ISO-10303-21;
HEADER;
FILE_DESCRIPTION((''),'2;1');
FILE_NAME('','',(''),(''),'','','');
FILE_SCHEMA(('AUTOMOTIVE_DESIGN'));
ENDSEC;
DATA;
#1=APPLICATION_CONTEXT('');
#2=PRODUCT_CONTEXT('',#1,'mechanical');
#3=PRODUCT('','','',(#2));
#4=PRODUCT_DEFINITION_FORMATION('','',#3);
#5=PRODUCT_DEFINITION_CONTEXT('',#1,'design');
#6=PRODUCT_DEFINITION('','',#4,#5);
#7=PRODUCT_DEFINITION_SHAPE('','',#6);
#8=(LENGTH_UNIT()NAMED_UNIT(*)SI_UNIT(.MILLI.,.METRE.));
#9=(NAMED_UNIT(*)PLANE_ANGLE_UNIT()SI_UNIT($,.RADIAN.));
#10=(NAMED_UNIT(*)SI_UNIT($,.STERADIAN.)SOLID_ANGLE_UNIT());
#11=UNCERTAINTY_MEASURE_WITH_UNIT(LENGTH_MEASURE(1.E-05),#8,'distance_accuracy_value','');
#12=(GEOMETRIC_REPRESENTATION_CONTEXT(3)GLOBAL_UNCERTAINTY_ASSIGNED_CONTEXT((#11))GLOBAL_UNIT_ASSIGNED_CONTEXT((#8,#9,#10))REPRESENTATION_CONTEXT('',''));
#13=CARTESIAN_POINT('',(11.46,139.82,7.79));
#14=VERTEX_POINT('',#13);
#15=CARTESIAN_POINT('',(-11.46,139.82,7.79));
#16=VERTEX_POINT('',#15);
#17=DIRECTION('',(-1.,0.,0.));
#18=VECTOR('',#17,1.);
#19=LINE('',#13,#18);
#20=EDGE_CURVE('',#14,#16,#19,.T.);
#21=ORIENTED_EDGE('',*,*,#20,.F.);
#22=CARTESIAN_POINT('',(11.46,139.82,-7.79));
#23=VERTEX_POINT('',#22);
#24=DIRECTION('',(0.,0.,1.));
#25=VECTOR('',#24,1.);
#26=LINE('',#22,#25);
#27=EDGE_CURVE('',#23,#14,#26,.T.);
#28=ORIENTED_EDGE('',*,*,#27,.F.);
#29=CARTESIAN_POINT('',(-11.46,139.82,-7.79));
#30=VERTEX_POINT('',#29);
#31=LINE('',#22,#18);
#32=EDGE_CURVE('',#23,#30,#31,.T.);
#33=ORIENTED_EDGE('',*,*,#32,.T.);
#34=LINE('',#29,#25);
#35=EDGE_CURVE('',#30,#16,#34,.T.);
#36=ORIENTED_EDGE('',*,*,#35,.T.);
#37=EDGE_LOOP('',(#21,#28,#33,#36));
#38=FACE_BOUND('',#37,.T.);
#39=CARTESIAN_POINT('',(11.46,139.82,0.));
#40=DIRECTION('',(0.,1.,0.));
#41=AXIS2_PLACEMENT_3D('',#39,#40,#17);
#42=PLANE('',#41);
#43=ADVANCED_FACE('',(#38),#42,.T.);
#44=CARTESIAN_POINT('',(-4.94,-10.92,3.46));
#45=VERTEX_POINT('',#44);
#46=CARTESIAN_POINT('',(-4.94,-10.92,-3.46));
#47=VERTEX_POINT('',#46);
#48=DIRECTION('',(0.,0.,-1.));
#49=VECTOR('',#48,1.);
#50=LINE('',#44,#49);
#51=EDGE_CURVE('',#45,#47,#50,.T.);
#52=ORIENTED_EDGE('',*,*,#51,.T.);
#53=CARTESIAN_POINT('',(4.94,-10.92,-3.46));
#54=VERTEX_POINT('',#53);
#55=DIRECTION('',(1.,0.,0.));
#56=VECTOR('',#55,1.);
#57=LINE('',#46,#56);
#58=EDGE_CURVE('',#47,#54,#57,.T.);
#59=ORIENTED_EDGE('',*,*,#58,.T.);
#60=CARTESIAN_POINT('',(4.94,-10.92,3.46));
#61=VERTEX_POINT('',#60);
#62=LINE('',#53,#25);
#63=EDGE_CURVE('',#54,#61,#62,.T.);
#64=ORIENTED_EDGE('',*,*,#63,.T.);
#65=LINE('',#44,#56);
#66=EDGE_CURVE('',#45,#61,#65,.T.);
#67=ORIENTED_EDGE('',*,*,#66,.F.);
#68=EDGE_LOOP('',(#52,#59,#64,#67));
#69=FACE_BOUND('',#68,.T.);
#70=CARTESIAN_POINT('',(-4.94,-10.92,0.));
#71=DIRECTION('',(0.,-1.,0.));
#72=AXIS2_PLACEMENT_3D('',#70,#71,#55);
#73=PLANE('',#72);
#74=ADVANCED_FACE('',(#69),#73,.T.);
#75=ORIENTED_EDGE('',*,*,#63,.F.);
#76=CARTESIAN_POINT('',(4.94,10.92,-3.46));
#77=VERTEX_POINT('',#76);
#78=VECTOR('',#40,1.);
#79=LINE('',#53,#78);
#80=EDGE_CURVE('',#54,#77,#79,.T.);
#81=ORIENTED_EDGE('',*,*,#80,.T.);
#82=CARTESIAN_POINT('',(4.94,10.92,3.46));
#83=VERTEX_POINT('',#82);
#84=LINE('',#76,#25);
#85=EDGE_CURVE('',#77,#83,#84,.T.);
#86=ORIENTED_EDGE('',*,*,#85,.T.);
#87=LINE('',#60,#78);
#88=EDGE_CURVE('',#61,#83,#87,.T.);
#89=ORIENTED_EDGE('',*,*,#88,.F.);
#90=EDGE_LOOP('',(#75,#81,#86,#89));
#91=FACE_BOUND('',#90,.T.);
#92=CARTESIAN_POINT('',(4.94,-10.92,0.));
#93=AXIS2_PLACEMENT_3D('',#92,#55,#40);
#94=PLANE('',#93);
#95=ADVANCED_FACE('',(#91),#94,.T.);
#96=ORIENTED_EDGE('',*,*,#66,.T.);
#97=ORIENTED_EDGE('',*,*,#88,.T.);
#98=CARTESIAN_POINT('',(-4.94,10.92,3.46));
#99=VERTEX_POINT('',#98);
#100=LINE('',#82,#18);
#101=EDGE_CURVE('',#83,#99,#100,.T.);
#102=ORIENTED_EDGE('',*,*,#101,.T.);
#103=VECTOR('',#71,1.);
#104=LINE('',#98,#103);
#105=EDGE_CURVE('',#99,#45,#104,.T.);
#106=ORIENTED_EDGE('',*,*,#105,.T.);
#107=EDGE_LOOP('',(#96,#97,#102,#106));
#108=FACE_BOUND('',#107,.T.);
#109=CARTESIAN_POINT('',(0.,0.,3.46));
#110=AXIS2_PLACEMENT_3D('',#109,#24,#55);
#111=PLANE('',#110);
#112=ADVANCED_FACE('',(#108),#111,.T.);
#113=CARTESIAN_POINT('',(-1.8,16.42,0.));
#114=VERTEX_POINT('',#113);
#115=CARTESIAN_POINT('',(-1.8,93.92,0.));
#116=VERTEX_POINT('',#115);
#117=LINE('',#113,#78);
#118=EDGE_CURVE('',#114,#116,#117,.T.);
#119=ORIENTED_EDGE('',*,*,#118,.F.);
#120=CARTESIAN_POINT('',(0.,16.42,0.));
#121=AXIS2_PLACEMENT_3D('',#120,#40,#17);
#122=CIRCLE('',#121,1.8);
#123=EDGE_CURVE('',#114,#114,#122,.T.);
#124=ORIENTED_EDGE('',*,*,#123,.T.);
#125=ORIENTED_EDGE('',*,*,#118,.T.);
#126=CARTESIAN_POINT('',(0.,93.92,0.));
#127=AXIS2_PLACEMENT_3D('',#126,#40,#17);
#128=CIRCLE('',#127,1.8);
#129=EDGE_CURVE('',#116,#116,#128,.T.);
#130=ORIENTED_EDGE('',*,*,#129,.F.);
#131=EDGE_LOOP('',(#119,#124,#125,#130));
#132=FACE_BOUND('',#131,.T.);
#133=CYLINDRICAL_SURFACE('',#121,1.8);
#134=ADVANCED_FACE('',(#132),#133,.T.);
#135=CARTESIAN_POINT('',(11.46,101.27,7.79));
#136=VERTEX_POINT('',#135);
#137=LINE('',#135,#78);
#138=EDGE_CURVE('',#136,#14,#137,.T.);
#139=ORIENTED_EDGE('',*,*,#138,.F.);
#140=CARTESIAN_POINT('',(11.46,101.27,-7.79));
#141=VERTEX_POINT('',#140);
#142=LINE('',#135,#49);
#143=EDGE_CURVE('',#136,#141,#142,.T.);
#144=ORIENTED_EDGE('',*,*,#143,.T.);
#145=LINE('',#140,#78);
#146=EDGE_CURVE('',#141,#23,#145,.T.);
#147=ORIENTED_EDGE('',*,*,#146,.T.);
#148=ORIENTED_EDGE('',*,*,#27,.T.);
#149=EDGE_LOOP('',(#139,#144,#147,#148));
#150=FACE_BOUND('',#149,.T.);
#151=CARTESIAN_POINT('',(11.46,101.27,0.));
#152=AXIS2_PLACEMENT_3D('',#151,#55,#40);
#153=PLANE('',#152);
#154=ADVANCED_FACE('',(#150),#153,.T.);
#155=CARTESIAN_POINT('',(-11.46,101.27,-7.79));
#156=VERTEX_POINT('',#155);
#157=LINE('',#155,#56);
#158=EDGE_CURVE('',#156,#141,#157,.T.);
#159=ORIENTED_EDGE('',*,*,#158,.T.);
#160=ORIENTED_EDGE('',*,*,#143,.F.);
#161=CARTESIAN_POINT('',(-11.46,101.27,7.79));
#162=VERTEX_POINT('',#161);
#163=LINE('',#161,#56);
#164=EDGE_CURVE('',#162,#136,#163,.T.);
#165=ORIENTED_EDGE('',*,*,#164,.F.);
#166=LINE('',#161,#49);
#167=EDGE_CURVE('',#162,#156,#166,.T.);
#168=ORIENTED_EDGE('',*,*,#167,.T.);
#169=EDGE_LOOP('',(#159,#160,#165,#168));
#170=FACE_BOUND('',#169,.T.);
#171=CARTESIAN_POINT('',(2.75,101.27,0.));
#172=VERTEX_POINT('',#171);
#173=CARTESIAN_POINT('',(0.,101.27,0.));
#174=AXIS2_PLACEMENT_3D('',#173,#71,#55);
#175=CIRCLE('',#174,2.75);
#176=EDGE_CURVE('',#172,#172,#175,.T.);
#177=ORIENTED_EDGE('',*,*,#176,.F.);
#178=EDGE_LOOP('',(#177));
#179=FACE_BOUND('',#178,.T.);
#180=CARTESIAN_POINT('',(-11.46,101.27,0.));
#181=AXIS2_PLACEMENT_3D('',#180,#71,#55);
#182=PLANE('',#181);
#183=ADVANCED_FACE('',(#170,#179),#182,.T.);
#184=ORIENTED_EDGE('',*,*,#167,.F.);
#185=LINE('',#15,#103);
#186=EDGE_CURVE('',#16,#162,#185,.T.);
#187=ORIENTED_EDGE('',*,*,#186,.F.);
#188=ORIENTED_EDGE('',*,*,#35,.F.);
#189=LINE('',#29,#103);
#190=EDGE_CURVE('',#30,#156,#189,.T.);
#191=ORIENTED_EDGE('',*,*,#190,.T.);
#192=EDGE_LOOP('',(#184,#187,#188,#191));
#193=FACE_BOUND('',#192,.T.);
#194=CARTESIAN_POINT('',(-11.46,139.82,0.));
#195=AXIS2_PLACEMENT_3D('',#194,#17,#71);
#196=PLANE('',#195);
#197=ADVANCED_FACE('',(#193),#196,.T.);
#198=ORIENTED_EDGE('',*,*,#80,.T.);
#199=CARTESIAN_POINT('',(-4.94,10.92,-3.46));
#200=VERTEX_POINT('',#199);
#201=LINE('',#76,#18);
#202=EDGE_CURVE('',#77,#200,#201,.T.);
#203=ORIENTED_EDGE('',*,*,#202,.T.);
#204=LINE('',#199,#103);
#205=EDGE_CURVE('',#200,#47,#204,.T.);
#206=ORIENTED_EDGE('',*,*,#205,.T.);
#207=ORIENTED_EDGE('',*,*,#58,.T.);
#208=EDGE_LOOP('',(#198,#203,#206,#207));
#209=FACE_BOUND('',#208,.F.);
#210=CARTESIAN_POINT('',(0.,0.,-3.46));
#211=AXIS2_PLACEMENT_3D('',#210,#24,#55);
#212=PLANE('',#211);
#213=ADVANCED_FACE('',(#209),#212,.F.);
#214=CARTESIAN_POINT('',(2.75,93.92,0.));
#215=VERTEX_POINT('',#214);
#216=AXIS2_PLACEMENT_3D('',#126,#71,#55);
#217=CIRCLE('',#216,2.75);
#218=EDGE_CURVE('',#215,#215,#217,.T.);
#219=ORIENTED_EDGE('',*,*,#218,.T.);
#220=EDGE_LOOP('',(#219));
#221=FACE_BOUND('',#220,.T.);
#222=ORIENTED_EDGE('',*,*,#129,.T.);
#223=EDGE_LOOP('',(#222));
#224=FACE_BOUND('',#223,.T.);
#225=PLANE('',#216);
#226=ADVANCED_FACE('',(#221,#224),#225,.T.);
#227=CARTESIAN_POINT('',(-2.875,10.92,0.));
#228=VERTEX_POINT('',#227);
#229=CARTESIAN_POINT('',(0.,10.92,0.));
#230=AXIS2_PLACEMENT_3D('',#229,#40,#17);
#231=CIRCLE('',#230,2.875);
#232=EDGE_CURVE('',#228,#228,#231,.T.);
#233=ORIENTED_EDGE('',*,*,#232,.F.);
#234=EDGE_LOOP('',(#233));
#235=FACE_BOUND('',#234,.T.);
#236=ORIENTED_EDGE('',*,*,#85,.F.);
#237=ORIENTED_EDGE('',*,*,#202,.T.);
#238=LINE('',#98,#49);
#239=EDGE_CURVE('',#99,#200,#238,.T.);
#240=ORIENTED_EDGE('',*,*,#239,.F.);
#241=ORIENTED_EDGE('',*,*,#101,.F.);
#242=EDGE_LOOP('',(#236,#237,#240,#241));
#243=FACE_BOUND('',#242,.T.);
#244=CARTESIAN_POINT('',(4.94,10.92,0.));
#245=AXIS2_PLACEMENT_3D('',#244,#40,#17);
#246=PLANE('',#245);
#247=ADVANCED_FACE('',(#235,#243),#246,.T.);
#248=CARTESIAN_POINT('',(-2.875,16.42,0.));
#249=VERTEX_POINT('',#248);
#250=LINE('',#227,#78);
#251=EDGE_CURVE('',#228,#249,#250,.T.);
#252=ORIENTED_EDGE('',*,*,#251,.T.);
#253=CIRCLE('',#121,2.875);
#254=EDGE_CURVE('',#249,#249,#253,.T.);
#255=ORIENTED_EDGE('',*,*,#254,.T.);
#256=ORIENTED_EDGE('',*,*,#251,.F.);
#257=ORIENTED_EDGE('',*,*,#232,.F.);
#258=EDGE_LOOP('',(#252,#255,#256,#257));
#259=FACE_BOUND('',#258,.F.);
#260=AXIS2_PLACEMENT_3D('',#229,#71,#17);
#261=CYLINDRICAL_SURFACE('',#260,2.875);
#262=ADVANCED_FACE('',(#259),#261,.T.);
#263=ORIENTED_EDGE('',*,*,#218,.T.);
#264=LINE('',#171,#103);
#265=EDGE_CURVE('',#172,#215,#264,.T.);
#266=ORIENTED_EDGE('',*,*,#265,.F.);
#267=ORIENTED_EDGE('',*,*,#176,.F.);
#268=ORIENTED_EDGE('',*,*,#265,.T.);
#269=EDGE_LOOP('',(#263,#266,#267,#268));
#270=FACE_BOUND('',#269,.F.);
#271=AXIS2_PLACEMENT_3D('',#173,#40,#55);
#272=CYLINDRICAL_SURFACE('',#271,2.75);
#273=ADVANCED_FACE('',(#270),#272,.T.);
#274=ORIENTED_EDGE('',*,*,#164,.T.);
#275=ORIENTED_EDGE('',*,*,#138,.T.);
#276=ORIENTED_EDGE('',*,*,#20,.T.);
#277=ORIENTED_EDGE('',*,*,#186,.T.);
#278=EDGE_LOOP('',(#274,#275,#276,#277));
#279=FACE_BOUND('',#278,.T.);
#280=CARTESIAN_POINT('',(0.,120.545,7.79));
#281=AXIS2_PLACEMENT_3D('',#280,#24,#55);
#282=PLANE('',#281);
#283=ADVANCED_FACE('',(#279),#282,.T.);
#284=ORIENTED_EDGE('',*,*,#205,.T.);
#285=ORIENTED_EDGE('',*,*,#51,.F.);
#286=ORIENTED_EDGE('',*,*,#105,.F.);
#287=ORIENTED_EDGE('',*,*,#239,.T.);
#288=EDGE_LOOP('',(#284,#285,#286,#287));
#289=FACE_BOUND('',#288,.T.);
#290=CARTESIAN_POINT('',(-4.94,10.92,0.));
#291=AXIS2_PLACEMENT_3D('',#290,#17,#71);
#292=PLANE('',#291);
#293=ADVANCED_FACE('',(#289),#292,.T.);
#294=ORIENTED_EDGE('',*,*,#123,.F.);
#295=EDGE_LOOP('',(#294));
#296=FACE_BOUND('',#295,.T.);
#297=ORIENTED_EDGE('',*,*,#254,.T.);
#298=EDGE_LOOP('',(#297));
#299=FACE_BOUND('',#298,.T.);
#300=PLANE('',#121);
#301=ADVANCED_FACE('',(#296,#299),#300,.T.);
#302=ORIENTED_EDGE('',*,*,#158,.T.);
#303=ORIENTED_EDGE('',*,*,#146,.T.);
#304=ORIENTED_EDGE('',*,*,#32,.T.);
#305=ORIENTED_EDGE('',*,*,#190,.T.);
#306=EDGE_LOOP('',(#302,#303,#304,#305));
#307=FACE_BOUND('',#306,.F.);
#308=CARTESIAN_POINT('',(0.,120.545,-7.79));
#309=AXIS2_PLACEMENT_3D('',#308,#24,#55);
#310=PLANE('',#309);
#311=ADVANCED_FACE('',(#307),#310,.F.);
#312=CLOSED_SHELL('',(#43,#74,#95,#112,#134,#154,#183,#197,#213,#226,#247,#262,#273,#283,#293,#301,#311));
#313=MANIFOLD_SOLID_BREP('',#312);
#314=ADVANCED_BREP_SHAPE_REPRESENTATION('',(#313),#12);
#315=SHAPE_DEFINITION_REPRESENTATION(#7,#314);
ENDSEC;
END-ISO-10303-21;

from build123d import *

# Parameters (mm, degrees)
F1_DEPTH = 7.79
F2_DEPTH = 3.46
F3_R     = 2.875
F4_DEPTH = 5.5
F5_R     = 1.8
F7_R     = 2.75
F8_DEPTH = 7.35


with BuildPart() as f1:
    # F0 (on Top) → F1 (new body, symmetric)
    with BuildSketch(Plane.XY):
        Polygon((-2.75, 101.27), (2.75, 101.27), (11.46, 101.27), (11.46, 139.82), (-11.46, 139.82), (-11.46, 101.27), align=None)
    extrude(amount=F1_DEPTH, both=True)



with BuildPart() as f2:
    # F0 (on Top) → F2 (new body, symmetric)
    with BuildSketch(Plane.XY):
        Polygon((-4.94, -10.92), (4.94, -10.92), (4.94, 10.92), (2.875, 10.92), (-2.875, 10.92), (-4.94, 10.92), align=None)
    extrude(amount=F2_DEPTH, both=True)

    # F3 (on face) → F4 (join, through all)
    with BuildSketch(Plane(origin=(0, 10.92, 0), x_dir=(-1, 0, 0), z_dir=(0, 1, 0))):
        Circle(F3_R)
    extrude(amount=F4_DEPTH)

    # F6: sweep along a path in F0
    with BuildLine(Plane.XY) as f6_path:
        Line((1.8, 16.42), (1.8, 93.92))
    # F5 (on face) → F6 (sweep)
    with BuildSketch(Plane(origin=(0, 16.42, 0), x_dir=(-1, 0, 0), z_dir=(0, 1, 0))):
        Circle(F5_R)
    sweep(path=f6_path.line)


with BuildPart() as f1_1:
    add(f1.part)

    add(f2.part)  # F8 merges F2
    # F7 (on face) → F8 (join, through all)
    with BuildSketch(Plane.XZ.offset(-101.27)):
        Circle(F7_R)
    extrude(amount=F8_DEPTH)


solid = f1_1.part
